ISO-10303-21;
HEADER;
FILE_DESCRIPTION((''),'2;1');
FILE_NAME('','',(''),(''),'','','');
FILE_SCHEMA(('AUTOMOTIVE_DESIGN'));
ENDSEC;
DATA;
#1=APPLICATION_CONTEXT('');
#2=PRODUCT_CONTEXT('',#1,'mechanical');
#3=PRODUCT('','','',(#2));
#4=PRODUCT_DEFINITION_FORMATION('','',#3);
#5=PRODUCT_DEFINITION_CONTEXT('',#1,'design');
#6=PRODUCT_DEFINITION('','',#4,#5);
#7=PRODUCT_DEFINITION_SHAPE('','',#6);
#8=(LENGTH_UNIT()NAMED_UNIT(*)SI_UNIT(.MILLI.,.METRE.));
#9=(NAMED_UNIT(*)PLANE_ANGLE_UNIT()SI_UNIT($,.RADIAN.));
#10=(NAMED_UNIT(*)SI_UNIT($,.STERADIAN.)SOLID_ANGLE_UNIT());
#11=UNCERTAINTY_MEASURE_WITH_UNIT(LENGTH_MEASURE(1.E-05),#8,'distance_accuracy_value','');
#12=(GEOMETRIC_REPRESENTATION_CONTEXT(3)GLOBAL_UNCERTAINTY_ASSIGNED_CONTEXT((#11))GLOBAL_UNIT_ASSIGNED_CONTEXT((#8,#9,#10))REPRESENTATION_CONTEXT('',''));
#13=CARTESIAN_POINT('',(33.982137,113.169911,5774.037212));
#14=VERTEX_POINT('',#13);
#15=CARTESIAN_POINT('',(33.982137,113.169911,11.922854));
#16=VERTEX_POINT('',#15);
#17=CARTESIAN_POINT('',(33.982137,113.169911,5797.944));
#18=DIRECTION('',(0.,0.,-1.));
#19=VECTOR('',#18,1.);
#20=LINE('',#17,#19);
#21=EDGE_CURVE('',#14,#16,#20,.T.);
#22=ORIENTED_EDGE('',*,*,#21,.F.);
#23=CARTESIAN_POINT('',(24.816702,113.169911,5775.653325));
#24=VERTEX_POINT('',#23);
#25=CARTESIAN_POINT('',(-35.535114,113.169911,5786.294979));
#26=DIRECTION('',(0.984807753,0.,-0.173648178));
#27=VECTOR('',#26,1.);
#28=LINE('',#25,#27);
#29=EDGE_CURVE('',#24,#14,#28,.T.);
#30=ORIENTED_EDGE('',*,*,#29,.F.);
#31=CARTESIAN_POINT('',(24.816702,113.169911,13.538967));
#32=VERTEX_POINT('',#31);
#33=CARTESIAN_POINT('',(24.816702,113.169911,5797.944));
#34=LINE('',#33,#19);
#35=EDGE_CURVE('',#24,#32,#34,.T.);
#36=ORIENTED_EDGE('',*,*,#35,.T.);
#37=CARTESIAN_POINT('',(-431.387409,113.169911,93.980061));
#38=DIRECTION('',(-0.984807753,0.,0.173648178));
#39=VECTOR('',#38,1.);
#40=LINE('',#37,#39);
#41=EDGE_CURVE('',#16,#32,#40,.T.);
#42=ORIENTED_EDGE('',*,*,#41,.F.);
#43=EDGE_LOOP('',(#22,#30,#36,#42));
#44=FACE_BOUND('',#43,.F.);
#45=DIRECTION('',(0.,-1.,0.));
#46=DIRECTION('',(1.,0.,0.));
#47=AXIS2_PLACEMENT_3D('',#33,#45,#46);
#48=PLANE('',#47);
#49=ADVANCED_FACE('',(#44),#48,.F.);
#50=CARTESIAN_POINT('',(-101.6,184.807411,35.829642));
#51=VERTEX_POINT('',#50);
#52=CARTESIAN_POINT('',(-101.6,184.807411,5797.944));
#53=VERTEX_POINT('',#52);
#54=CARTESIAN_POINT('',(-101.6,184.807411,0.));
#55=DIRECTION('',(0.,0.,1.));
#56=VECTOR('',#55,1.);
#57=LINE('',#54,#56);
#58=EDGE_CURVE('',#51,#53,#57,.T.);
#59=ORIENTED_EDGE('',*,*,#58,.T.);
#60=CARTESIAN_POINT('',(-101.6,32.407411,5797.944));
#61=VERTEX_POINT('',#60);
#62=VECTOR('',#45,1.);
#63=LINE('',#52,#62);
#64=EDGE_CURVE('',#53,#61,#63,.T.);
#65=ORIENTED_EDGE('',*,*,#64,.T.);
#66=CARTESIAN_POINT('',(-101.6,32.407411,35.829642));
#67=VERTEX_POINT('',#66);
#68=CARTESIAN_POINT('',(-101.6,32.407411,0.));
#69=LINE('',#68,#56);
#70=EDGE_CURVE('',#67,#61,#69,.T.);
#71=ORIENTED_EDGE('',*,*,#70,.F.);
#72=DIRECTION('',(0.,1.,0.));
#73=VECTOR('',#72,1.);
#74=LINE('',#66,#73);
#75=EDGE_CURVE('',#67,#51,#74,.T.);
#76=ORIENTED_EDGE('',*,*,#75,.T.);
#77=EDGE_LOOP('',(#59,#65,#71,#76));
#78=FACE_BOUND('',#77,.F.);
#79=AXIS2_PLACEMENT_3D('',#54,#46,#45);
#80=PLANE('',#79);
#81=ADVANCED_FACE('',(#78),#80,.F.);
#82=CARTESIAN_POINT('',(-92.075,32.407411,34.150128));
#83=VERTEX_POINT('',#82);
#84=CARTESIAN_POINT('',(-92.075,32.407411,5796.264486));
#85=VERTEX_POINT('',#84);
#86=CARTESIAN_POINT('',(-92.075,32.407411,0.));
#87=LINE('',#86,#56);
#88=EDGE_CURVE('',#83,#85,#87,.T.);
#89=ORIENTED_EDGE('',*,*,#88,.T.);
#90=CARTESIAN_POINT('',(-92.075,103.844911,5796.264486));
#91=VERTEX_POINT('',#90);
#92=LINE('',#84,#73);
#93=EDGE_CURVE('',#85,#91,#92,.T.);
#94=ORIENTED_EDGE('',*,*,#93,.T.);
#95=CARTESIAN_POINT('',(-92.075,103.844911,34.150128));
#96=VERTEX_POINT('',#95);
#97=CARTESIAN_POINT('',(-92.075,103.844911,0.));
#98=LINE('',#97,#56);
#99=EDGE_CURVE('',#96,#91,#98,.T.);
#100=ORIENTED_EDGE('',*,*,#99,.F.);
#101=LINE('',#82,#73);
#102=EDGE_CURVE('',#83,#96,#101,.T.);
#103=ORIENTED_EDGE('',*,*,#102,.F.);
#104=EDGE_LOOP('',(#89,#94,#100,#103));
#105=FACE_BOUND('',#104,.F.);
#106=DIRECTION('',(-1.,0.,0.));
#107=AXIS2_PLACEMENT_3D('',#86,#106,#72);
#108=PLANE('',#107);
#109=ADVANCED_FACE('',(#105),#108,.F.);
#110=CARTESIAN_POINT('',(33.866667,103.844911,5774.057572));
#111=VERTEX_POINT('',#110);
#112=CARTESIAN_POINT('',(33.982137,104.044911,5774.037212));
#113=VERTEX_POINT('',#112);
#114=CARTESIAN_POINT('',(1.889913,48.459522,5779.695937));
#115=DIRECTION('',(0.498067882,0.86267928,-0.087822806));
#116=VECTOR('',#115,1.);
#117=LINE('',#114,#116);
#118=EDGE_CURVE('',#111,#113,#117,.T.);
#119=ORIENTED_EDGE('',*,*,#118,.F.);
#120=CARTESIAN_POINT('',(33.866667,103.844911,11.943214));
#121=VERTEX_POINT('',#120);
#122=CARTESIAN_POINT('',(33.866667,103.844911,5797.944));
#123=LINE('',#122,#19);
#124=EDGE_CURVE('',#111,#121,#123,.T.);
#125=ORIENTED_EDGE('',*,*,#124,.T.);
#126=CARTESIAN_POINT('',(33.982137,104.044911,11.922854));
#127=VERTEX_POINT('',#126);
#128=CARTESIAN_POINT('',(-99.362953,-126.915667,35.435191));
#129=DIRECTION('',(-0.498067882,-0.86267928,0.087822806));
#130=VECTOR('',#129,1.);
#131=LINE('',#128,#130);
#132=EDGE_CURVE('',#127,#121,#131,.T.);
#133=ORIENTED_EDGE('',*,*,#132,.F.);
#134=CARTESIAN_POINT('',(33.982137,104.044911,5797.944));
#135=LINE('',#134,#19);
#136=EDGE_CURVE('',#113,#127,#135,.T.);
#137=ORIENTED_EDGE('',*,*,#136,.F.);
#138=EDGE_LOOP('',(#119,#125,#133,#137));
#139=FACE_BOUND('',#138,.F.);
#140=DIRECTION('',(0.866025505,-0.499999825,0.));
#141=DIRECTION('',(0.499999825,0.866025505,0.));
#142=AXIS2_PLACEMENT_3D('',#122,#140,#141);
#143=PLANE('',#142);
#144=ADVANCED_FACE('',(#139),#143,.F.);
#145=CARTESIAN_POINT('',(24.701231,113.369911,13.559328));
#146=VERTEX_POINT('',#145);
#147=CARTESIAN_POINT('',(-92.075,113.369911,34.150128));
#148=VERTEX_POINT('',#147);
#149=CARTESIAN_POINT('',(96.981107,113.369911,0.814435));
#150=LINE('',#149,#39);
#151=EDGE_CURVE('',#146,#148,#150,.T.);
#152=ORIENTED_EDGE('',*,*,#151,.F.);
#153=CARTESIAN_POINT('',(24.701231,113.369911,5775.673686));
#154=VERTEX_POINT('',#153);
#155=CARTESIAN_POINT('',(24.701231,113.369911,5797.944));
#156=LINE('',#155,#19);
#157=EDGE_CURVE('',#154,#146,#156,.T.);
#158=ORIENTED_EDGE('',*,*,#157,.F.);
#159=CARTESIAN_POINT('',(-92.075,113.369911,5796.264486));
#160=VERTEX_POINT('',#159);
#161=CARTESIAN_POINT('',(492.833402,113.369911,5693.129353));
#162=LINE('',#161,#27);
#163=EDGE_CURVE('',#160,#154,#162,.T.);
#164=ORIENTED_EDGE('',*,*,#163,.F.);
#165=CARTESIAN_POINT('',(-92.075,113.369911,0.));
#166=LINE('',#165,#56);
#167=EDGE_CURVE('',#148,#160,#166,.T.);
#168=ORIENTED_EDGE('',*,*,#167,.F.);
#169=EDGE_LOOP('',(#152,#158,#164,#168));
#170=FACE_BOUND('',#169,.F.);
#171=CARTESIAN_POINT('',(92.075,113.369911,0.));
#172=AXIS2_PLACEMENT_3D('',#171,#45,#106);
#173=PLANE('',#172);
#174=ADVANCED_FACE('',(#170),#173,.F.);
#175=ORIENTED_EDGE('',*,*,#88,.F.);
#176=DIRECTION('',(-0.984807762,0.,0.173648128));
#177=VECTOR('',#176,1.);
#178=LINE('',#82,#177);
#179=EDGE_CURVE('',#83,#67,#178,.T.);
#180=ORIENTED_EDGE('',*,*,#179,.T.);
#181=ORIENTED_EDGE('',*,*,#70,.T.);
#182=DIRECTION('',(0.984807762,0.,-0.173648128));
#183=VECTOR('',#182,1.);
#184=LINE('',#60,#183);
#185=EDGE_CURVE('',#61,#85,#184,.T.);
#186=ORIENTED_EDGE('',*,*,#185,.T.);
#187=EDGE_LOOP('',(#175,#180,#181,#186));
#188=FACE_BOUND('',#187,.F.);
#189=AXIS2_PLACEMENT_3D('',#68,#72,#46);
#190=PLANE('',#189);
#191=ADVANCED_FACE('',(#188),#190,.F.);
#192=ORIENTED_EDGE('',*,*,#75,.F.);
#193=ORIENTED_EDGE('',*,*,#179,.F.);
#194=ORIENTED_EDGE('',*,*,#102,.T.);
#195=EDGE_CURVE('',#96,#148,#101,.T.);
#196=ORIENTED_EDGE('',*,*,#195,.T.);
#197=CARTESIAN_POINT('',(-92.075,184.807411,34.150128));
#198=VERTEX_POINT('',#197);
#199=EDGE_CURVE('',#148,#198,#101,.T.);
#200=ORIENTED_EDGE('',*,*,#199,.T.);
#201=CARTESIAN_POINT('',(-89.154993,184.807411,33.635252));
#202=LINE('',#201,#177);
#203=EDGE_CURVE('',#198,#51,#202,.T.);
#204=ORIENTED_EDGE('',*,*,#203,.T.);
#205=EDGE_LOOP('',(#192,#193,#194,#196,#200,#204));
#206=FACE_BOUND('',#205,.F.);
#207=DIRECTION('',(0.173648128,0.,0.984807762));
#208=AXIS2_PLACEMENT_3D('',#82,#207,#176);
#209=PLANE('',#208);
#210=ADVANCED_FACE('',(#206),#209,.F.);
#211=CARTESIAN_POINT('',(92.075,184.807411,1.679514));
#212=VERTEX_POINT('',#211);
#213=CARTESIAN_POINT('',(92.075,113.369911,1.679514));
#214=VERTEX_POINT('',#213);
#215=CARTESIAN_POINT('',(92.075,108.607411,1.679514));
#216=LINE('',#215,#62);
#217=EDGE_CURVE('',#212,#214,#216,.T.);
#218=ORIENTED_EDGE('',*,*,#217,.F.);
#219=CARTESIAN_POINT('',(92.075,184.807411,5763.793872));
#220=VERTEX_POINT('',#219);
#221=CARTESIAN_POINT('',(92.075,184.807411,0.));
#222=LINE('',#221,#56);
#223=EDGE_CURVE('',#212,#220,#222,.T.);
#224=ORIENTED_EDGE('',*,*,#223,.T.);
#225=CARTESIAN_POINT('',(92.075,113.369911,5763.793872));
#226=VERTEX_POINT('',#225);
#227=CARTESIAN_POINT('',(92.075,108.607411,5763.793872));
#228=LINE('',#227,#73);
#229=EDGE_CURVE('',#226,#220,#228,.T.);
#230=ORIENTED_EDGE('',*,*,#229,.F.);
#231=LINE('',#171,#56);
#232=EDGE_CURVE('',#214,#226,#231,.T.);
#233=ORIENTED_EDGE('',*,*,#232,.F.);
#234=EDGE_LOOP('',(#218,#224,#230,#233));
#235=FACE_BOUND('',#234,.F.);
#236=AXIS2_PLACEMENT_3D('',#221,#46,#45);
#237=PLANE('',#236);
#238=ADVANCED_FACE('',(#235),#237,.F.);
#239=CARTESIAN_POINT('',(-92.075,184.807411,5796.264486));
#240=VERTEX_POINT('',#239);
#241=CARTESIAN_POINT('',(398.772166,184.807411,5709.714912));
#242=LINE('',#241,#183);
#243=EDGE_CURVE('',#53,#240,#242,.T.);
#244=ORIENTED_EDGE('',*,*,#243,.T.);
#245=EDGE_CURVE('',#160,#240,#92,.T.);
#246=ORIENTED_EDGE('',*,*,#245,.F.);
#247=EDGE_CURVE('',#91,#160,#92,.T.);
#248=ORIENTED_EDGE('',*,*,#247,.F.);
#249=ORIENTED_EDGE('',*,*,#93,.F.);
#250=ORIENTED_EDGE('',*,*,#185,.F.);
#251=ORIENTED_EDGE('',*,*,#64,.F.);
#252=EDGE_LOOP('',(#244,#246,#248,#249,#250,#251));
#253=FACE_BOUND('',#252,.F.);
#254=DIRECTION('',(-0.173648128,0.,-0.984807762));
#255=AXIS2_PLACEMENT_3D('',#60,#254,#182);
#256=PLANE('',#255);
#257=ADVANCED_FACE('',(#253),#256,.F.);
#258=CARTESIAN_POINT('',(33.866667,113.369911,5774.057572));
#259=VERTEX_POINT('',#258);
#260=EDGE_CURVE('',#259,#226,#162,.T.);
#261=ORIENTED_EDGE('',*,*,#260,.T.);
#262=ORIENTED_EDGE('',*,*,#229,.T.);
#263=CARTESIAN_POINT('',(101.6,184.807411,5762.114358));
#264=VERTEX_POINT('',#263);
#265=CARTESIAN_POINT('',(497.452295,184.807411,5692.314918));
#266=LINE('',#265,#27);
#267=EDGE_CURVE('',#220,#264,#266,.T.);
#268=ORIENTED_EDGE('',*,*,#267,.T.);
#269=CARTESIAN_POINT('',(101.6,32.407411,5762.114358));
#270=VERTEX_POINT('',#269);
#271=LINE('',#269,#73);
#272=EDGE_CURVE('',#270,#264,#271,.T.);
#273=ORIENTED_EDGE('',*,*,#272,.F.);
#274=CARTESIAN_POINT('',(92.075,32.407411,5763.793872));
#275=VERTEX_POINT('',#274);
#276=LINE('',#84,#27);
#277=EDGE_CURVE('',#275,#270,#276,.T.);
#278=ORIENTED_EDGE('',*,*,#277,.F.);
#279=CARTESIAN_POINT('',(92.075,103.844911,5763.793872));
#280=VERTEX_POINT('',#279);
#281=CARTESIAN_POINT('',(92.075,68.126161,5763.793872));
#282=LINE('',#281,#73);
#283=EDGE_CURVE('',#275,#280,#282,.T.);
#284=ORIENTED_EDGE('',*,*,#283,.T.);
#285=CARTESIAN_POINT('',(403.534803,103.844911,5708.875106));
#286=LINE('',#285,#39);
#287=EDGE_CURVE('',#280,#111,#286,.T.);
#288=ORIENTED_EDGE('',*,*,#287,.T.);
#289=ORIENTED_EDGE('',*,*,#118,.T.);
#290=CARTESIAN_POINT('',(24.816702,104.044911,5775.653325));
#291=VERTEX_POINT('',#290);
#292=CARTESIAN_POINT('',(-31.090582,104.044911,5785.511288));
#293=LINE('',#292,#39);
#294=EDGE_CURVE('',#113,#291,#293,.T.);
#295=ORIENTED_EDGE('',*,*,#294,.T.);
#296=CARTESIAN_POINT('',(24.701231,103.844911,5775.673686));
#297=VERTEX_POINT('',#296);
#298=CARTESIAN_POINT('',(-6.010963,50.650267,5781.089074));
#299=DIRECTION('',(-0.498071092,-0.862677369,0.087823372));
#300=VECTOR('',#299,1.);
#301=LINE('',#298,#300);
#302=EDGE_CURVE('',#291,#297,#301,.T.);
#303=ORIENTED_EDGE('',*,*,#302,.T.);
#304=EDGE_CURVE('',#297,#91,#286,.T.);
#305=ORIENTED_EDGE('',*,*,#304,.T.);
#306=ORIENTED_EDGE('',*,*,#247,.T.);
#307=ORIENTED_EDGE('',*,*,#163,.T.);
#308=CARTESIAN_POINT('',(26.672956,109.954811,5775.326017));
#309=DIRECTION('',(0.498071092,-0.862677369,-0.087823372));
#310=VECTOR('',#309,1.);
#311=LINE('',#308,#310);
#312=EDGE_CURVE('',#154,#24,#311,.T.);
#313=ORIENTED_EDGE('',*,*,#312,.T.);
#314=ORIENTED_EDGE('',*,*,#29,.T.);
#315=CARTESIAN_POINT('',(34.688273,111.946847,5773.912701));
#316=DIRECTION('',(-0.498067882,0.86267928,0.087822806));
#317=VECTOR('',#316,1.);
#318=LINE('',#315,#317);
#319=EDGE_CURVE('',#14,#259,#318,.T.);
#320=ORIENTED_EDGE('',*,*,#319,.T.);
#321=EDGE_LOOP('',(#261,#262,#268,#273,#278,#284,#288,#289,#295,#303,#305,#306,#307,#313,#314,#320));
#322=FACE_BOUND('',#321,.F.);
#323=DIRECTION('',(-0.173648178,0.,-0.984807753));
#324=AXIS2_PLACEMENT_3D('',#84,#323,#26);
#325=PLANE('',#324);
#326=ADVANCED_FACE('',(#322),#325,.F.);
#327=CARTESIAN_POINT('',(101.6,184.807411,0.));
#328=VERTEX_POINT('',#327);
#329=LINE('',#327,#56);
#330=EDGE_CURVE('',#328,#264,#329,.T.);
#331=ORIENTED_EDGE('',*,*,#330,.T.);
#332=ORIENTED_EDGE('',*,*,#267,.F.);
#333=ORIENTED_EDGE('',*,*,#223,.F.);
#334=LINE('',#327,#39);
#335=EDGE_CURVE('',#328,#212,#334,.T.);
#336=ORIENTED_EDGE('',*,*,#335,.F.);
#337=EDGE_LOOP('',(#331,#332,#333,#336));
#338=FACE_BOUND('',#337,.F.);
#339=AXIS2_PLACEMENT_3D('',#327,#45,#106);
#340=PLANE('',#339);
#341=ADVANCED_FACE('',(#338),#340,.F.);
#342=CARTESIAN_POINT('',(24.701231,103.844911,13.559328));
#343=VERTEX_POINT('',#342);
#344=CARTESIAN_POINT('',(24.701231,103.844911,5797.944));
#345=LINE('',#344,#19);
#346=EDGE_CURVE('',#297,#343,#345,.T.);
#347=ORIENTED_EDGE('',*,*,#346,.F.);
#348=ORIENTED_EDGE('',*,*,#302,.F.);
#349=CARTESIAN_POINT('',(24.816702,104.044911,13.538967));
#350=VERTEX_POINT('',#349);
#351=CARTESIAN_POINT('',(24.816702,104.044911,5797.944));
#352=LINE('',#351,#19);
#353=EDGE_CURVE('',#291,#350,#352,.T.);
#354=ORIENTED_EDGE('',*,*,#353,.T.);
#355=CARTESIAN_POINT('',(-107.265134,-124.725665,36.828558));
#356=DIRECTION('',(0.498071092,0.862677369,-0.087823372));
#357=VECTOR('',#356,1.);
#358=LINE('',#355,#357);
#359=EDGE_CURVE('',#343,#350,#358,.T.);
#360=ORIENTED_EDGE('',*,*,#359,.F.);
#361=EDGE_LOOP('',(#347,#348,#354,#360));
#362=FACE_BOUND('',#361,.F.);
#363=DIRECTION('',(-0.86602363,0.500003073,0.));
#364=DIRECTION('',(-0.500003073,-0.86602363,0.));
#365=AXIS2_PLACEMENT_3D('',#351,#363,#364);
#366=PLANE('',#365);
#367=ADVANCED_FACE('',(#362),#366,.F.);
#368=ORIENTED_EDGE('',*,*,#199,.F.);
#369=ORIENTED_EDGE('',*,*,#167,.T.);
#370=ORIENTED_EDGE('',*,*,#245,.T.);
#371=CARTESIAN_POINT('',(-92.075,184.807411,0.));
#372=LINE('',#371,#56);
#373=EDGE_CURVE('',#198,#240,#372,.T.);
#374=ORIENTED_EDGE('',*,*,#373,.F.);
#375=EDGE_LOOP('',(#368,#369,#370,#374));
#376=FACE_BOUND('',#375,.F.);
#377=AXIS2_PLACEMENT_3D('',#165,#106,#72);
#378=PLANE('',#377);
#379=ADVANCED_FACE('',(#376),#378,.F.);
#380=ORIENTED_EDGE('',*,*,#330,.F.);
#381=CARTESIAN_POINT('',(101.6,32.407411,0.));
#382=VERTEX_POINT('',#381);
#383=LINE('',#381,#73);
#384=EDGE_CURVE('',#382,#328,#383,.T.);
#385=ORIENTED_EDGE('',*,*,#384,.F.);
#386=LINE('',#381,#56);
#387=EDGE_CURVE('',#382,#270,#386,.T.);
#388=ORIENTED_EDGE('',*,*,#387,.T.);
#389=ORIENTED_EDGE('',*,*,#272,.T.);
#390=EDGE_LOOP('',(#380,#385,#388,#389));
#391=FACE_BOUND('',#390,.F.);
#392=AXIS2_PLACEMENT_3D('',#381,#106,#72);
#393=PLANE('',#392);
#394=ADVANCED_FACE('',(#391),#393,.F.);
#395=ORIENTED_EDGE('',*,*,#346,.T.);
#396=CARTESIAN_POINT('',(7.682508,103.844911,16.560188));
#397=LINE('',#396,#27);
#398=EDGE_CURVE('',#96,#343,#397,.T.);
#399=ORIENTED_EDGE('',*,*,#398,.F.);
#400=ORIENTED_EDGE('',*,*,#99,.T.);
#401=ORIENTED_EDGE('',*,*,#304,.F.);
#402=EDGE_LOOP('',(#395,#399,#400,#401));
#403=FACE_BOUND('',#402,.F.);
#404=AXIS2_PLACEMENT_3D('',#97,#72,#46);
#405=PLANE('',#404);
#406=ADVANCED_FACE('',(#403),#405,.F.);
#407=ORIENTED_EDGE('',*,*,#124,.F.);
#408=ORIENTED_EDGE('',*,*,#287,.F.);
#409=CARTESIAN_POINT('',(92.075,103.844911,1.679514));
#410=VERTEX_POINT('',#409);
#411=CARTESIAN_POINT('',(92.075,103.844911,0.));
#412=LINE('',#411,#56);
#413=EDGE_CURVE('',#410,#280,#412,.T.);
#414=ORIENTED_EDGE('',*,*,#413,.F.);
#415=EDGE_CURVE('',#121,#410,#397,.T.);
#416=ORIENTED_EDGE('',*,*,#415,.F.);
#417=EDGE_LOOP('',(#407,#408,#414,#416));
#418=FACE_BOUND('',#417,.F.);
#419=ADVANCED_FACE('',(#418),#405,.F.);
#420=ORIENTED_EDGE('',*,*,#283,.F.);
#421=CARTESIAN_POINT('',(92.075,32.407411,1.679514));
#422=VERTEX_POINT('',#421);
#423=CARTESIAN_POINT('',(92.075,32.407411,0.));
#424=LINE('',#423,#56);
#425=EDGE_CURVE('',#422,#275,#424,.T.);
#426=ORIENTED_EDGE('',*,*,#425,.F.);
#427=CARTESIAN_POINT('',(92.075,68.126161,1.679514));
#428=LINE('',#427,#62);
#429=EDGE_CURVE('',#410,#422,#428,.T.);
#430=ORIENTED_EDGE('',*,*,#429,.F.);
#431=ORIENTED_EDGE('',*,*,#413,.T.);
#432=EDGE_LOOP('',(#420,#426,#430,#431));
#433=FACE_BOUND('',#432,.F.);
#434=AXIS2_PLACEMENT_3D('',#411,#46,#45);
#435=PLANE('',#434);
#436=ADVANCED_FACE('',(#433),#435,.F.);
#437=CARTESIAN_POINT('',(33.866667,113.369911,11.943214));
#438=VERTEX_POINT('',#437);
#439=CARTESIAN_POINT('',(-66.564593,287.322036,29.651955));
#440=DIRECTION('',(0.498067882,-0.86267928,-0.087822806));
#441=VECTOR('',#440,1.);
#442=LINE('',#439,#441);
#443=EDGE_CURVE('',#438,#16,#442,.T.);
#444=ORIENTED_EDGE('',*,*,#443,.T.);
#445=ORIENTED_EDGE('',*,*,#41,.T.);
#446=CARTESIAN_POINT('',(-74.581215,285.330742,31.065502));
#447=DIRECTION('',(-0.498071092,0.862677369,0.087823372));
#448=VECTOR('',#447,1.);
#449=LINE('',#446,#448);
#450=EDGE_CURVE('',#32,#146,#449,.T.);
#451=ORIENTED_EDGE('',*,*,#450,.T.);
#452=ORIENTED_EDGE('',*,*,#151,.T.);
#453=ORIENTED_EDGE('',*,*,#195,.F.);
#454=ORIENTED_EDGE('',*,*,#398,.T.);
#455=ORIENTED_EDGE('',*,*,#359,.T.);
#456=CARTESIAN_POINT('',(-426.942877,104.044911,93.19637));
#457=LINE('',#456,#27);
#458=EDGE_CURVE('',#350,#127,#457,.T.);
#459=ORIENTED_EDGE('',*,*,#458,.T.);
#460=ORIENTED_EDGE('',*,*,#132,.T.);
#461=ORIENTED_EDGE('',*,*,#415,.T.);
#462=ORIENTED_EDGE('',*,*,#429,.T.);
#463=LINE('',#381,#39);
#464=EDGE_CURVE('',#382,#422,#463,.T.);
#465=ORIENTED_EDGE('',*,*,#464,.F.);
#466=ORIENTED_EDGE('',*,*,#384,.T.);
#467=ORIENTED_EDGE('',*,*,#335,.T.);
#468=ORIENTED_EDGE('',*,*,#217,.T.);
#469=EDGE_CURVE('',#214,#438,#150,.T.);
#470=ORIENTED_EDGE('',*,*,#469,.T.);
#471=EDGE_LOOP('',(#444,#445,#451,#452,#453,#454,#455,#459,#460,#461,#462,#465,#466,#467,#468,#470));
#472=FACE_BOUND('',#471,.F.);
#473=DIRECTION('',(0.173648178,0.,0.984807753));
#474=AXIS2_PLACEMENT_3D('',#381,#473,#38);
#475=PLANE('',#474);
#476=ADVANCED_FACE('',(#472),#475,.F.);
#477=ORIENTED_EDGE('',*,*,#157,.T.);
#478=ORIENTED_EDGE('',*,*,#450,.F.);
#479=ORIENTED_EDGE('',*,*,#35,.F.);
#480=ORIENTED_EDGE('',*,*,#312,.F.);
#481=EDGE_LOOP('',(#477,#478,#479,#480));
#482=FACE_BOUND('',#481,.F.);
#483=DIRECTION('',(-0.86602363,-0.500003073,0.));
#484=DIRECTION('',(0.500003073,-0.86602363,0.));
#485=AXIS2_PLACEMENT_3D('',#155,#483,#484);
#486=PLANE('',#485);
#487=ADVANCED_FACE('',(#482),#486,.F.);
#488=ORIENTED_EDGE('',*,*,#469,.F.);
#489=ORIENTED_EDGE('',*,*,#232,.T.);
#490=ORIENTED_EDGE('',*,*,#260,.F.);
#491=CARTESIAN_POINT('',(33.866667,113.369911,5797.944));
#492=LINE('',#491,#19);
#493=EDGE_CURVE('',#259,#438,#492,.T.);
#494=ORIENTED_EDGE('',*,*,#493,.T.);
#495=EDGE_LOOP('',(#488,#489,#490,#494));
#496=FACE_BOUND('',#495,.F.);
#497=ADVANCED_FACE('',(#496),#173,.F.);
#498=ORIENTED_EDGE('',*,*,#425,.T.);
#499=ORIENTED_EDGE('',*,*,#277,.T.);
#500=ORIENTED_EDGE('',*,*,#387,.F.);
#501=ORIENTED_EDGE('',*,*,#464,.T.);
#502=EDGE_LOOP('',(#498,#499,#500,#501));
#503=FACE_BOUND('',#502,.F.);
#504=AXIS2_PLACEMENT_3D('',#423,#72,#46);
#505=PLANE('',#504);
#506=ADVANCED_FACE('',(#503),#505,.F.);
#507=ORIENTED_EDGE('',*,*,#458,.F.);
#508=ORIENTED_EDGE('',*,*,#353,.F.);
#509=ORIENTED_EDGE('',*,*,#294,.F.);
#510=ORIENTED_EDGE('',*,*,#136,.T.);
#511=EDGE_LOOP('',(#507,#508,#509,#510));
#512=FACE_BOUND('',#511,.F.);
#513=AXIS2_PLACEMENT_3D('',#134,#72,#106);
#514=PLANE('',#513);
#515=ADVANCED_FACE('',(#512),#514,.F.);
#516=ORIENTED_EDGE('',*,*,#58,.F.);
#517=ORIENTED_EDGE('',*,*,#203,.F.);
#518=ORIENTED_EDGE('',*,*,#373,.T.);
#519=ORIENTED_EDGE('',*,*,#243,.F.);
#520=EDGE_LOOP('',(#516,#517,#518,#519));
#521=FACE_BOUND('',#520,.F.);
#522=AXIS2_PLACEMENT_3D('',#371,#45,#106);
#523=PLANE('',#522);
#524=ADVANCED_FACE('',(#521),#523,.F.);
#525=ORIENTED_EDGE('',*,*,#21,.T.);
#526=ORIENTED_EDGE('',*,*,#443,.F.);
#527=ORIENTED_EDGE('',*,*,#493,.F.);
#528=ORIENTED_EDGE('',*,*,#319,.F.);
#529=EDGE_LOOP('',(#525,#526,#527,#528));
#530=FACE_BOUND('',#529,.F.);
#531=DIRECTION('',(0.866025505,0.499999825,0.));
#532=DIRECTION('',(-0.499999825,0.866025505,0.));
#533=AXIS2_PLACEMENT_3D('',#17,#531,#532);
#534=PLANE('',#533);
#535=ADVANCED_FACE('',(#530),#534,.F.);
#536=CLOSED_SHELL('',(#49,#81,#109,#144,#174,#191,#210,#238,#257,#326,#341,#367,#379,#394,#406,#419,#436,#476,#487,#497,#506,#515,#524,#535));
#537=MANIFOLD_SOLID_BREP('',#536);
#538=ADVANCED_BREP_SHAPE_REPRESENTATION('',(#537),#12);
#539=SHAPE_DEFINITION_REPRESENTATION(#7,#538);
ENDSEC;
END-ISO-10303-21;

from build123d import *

# Parameters (mm, degrees)
F1_DEPTH = 5797.944
F4_DEPTH = 5797.945
F5_DEPTH = 152.401


with BuildPart() as f1:
    # F0 (on Top) → F1 (new body)
    with BuildSketch(Plane.XY):
        Polygon((-92.075, 184.807411), (-101.6, 184.807411), (-101.6, 32.407411), (-92.075, 32.407411), (-92.075, 103.844911), (92.075, 103.844911), (92.075, 32.407411), (101.6, 32.407411), (101.6, 184.807411), (92.075, 184.807411), (92.075, 113.369911), (-92.075, 113.369911), align=None)
    extrude(amount=F1_DEPTH)

    # F3 (on face) → F4 (cut, through all)
    with BuildSketch(Plane.XY.offset(5797.944)):
        Polygon((33.866667, 113.369911), (24.701231, 113.369911), (24.816702, 113.169911), (33.982137, 113.169911), align=None)
        Polygon((24.816702, 104.044911), (24.701231, 103.844911), (33.866667, 103.844911), (33.982137, 104.044911), align=None)
    extrude(amount=-F4_DEPTH, mode=Mode.SUBTRACT)

    # F2 (on face) → F5 (cut, through all)
    with BuildSketch(Plane.XZ.offset(-32.407411)):
        Polygon((-92.075, 5797.944), (-92.075, 5796.264486), (101.6, 5762.114358), (101.6, 5797.944), align=None)
        Polygon((-92.075, 5797.944), (-101.6, 5797.944), (-92.075, 5796.264486), align=None)
        Polygon((-92.075, 34.150128), (-92.075, 0), (101.6, 0), align=None)
        Polygon((-101.6, 35.829642), (-101.6, 0), (-92.075, 0), (-92.075, 34.150128), align=None)
    extrude(amount=-F5_DEPTH, mode=Mode.SUBTRACT)


solid = f1.part
